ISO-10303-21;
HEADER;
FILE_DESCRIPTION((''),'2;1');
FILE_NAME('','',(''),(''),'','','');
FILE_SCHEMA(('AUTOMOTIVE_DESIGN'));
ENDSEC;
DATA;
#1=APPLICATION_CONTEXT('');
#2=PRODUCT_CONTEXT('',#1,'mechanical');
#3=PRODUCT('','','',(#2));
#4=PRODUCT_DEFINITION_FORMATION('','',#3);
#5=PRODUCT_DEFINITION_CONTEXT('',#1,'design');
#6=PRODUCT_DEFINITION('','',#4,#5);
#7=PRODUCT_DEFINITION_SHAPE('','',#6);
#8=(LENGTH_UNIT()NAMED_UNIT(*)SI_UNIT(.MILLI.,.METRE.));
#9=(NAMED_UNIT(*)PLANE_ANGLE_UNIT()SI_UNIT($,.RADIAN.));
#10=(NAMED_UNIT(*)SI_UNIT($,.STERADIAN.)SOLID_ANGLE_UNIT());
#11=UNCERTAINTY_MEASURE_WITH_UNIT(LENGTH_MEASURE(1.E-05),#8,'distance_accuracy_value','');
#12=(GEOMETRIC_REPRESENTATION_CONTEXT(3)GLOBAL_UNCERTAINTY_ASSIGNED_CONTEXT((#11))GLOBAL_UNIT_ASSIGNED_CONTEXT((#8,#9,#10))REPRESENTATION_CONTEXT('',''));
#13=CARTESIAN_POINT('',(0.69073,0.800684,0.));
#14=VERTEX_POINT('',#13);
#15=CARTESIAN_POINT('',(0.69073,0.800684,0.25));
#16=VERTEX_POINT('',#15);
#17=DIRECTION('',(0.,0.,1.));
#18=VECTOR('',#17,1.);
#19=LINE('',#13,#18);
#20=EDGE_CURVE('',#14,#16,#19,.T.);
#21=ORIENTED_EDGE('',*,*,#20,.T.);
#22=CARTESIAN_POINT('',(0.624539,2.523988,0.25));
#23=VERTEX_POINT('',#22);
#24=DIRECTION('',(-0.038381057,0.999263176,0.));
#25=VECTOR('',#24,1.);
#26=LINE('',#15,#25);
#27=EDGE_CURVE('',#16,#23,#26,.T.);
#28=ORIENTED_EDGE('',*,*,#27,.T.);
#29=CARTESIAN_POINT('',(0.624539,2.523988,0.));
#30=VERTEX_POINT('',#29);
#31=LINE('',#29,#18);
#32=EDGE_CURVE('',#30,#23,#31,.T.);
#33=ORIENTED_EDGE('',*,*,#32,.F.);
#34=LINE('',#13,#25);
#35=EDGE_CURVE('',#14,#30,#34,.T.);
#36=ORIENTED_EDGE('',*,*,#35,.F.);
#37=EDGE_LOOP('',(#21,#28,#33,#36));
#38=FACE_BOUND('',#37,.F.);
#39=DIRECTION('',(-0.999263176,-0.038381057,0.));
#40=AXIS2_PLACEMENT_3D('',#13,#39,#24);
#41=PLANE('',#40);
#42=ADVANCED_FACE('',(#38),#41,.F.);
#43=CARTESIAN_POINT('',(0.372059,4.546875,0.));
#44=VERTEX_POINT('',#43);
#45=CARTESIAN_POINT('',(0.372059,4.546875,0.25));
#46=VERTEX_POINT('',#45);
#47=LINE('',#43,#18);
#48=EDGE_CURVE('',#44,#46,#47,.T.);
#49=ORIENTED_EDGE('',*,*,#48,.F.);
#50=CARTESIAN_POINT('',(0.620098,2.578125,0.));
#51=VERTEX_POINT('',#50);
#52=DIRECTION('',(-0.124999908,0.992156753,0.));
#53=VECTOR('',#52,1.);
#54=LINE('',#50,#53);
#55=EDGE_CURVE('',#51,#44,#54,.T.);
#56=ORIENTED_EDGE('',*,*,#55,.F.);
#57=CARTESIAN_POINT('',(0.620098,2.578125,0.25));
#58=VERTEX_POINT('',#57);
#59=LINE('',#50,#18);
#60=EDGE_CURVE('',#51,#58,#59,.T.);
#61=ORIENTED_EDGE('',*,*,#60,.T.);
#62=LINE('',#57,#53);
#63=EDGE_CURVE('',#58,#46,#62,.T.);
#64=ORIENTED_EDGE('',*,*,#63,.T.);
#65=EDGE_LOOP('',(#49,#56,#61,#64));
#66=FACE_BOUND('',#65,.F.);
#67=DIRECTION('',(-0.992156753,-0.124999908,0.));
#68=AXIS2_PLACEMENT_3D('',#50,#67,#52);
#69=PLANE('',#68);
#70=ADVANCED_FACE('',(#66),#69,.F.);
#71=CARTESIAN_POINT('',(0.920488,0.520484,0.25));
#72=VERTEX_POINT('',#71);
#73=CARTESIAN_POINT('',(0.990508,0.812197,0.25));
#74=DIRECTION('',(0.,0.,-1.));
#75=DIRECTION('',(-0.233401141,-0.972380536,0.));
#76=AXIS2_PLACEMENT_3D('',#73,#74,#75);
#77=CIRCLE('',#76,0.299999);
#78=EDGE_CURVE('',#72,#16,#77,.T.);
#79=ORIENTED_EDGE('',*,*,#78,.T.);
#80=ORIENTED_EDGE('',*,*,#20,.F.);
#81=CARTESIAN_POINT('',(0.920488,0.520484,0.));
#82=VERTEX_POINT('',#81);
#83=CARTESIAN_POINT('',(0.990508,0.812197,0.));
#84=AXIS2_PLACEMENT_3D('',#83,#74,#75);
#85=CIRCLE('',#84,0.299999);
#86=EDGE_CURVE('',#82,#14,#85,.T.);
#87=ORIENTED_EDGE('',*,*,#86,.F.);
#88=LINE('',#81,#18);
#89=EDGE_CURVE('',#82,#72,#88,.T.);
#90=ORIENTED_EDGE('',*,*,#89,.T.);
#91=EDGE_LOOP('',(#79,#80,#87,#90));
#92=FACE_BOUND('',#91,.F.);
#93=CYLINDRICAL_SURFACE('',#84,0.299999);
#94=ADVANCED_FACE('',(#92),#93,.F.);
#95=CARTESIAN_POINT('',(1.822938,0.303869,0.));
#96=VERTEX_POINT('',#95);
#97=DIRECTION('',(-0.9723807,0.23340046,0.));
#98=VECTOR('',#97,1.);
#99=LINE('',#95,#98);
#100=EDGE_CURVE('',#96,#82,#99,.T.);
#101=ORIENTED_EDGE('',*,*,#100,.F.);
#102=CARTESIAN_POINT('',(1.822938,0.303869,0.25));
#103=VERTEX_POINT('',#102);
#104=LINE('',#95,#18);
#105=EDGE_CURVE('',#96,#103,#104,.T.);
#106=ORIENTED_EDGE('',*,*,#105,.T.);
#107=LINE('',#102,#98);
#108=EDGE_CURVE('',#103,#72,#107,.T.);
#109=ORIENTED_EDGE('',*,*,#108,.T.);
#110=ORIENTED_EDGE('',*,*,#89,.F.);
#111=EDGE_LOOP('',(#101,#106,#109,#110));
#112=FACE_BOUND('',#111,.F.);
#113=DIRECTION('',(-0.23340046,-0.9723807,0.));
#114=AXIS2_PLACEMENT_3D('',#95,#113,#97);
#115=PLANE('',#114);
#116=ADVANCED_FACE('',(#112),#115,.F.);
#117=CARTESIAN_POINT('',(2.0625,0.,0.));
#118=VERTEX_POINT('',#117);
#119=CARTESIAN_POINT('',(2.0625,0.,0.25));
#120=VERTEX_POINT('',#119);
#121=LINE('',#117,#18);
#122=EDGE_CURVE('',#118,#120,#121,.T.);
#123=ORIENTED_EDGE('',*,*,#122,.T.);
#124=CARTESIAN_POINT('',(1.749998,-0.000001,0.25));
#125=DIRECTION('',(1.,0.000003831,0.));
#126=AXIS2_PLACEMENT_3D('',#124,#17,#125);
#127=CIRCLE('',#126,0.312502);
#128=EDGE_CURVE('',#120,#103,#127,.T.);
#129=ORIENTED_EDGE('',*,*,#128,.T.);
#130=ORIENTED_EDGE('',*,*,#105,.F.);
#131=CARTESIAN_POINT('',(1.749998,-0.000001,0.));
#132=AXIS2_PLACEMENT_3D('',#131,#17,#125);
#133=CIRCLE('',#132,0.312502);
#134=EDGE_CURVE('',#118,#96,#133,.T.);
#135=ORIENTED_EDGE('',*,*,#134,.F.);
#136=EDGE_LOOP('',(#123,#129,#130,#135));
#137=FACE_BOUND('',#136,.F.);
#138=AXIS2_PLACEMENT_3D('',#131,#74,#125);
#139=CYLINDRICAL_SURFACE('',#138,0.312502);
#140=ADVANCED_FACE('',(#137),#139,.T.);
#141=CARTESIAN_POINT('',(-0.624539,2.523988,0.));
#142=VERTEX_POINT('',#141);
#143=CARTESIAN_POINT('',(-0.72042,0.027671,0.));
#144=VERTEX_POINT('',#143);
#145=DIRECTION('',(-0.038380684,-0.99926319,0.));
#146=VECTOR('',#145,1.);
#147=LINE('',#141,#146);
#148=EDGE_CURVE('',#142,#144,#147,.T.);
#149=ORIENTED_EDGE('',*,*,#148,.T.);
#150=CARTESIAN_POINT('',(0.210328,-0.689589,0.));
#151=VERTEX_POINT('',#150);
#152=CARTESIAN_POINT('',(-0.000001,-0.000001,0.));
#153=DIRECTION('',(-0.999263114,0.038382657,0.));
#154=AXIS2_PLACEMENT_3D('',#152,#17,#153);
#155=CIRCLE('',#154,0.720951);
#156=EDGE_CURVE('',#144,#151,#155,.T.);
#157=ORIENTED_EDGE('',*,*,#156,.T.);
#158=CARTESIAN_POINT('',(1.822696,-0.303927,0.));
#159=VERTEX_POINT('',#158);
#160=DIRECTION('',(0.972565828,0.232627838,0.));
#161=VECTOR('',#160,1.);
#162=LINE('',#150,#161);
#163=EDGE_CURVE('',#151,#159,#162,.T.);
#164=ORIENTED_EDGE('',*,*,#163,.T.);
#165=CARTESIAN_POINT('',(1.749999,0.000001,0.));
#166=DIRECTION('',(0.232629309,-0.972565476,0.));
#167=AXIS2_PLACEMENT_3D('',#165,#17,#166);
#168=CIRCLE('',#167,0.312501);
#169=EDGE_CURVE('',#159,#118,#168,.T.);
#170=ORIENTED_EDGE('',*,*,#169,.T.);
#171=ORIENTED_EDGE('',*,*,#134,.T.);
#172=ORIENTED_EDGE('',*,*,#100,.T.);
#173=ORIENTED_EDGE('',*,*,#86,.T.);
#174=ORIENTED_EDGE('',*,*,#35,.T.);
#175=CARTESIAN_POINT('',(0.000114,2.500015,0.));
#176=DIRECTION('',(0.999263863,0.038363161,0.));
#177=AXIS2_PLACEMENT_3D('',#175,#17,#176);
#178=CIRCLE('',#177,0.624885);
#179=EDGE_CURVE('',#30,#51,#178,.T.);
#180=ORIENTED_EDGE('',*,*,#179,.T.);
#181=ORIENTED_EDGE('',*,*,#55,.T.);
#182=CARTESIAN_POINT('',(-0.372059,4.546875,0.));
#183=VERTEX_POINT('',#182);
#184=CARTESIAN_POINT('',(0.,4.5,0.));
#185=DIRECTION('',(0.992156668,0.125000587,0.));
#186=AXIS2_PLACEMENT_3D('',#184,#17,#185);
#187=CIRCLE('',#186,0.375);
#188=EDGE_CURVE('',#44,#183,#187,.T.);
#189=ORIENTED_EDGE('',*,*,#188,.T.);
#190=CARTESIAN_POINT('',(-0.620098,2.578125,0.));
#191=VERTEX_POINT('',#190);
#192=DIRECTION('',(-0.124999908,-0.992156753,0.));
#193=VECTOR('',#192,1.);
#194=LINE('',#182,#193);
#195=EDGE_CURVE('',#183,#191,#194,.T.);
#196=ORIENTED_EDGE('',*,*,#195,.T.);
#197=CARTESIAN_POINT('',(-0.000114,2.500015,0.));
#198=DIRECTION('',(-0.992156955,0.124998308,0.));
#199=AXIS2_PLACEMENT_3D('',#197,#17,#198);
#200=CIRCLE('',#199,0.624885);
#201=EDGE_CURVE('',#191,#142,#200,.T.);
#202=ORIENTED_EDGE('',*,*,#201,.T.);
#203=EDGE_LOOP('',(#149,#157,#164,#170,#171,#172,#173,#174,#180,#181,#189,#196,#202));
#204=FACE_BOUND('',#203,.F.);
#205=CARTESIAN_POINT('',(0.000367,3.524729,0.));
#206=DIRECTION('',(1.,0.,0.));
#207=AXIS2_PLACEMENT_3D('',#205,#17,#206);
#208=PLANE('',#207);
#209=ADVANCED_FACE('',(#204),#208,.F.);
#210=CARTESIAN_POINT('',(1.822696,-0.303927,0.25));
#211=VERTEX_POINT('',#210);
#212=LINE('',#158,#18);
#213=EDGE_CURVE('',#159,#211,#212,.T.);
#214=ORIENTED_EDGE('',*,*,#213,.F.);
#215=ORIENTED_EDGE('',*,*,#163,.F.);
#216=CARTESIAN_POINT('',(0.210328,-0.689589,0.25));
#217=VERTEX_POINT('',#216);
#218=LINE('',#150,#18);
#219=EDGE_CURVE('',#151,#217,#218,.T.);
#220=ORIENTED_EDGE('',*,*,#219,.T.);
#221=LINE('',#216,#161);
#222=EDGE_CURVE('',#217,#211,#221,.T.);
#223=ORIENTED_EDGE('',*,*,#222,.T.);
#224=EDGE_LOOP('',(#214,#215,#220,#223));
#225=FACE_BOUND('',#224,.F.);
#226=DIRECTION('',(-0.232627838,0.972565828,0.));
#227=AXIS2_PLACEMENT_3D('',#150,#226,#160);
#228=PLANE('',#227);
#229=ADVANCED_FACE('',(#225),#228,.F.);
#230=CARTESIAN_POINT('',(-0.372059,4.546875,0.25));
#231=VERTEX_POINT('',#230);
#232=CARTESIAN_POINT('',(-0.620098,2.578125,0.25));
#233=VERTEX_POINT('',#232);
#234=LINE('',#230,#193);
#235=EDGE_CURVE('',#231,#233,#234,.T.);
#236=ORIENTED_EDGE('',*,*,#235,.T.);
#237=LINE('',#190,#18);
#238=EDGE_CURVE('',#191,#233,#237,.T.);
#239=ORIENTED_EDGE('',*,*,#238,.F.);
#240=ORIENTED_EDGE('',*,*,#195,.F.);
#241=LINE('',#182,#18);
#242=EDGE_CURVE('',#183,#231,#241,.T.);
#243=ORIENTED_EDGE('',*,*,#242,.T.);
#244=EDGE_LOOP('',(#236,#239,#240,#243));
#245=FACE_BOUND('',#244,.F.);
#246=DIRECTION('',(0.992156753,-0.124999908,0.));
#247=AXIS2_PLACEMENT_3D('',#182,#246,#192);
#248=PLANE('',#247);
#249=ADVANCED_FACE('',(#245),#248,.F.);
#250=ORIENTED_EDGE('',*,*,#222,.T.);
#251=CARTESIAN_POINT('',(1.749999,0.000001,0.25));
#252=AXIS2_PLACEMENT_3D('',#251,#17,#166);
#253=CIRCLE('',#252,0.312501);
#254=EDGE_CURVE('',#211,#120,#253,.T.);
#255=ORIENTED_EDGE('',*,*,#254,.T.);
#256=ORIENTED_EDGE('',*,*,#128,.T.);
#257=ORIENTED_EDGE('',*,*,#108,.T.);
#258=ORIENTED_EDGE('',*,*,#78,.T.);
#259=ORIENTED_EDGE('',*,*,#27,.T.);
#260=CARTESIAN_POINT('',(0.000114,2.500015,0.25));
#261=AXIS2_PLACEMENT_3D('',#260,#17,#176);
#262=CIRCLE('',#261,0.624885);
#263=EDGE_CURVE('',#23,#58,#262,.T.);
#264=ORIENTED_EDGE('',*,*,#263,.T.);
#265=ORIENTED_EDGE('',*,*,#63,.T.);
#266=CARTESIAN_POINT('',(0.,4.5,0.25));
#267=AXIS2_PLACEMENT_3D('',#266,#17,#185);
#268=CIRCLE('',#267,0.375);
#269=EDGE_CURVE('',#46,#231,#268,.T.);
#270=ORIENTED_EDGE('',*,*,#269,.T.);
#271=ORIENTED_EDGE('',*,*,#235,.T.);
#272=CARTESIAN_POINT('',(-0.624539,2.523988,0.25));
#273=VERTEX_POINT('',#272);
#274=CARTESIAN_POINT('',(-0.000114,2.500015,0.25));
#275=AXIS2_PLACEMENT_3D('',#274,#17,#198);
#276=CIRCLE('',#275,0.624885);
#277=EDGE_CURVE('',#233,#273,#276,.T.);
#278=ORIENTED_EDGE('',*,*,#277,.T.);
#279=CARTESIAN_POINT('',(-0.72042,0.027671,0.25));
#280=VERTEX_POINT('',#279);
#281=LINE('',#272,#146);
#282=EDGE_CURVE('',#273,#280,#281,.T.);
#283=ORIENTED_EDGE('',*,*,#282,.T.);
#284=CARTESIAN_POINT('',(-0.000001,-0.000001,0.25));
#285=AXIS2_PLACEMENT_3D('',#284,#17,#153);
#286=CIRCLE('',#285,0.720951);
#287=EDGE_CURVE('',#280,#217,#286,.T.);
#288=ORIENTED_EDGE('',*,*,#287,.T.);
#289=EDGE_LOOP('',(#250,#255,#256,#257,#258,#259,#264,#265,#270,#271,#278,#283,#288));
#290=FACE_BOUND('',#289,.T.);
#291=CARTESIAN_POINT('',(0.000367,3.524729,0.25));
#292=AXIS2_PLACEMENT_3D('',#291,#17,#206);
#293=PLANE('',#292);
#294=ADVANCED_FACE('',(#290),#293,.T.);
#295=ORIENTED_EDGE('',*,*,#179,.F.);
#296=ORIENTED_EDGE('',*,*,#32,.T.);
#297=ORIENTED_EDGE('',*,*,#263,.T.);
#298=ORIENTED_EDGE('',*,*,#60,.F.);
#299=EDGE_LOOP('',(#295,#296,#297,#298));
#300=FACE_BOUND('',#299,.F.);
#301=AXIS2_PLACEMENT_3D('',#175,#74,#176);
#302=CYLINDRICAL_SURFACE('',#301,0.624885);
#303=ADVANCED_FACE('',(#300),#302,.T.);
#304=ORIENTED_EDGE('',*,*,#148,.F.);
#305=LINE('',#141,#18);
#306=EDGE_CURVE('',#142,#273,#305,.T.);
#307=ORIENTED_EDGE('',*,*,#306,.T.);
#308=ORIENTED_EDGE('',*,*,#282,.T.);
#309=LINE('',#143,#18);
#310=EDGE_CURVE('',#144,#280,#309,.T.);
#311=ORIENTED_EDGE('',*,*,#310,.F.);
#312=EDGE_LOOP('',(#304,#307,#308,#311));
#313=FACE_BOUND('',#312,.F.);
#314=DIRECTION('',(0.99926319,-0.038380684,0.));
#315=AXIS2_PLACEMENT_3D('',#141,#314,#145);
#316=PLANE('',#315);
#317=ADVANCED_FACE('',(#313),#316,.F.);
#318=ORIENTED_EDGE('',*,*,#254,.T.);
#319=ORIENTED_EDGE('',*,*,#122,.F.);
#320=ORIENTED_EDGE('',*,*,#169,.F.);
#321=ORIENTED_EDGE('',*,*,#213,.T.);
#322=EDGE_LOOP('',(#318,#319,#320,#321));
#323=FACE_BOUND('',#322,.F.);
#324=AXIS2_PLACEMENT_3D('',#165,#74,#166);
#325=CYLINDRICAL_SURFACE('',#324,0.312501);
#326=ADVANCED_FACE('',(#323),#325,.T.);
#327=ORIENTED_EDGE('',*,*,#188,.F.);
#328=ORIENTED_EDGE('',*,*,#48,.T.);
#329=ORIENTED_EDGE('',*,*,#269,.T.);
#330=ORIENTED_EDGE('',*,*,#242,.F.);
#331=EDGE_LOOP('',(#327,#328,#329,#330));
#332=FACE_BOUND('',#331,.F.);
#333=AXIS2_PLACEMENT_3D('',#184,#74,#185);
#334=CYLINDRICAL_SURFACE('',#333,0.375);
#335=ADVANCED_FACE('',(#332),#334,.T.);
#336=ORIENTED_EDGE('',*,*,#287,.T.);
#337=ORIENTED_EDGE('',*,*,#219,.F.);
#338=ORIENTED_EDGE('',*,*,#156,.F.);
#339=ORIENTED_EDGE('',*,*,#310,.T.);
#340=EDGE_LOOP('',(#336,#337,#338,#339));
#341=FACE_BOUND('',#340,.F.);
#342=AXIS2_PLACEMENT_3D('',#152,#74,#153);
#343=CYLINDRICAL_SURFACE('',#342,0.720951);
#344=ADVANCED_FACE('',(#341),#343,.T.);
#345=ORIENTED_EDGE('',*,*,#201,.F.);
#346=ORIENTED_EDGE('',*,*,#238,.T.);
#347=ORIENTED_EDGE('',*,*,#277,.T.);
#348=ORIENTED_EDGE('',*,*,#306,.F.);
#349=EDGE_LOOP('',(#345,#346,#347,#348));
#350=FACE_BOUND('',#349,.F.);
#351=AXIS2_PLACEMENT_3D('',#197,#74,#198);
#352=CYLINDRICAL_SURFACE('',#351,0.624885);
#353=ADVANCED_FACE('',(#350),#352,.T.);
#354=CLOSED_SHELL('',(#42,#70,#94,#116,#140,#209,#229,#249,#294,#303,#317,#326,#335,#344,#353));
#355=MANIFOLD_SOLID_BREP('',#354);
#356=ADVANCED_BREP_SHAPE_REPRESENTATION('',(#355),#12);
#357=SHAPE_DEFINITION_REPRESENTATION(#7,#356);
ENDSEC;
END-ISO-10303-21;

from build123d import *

# Parameters (mm, degrees)
F1_DEPTH = 0.25


with BuildPart() as f1:
    # F0 (on Top) → F1 (new body)
    with BuildSketch(Plane.XY):
        with BuildLine():
            Line((-0.372059, 4.546875), (-0.620098, 2.578125))
            ThreePointArc((-0.620098, 2.578125), (0, 3.125), (0.620098, 2.578125))
            Line((0.620098, 2.578125), (0.372059, 4.546875))
            ThreePointArc((0.372059, 4.546875), (0.374264, 4.523484), (0.375, 4.5))
            ThreePointArc((0.375, 4.5), (-0.023484, 4.125736), (-0.372059, 4.546875))
        make_face()
        with BuildLine():
            ThreePointArc((-0.72042, 0.027671), (0.013838, 0.720819), (0.720951, 0))
            ThreePointArc((0.720951, 0), (0.579399, -0.429031), (0.210328, -0.689589))
            Line((0.210328, -0.689589), (1.822696, -0.303927))
            ThreePointArc((1.822696, -0.303927), (1.4375, 0.000124), (1.822938, 0.303869))
            Line((1.822938, 0.303869), (0.920488, 0.520484))
            ThreePointArc((0.920488, 0.520484), (0.758526, 0.621977), (0.69073, 0.800684))
            Line((0.69073, 0.800684), (0.624539, 2.523988))
            ThreePointArc((0.624539, 2.523988), (0.624885, 2.511996), (0.625, 2.5))
            ThreePointArc((0.625, 2.5), (-0.011996, 1.875115), (-0.624539, 2.523988))
            Line((-0.624539, 2.523988), (-0.72042, 0.027671))
        make_face()
        with BuildLine():
            ThreePointArc((0.210328, -0.689589), (0.579399, -0.429031), (0.720951, 0))
            ThreePointArc((0.720951, 0), (0.013838, 0.720819), (-0.72042, 0.027671))
            ThreePointArc((-0.72042, 0.027671), (-0.440073, -0.571058), (0.210328, -0.689589))
        make_face()
        with BuildLine():
            ThreePointArc((0.372059, 4.546875), (0, 4.875), (-0.372059, 4.546875))
            ThreePointArc((-0.372059, 4.546875), (-0.023484, 4.125736), (0.375, 4.5))
            ThreePointArc((0.375, 4.5), (0.374264, 4.523484), (0.372059, 4.546875))
        make_face()
        with BuildLine():
            ThreePointArc((-0.620098, 2.578125), (-0.622907, 2.551105), (-0.624539, 2.523988))
            ThreePointArc((-0.624539, 2.523988), (-0.011996, 1.875115), (0.625, 2.5))
            ThreePointArc((0.625, 2.5), (0.624885, 2.511996), (0.624539, 2.523988))
            ThreePointArc((0.624539, 2.523988), (0.622907, 2.551105), (0.620098, 2.578125))
            ThreePointArc((0.620098, 2.578125), (0, 3.125), (-0.620098, 2.578125))
        make_face()
        with BuildLine():
            ThreePointArc((1.822938, 0.303869), (1.4375, 0.000124), (1.822696, -0.303927))
            ThreePointArc((1.822696, -0.303927), (1.99533, -0.19357), (2.0625, 0))
            ThreePointArc((2.0625, 0), (1.995407, 0.193472), (1.822938, 0.303869))
        make_face()
    extrude(amount=F1_DEPTH)


solid = f1.part
